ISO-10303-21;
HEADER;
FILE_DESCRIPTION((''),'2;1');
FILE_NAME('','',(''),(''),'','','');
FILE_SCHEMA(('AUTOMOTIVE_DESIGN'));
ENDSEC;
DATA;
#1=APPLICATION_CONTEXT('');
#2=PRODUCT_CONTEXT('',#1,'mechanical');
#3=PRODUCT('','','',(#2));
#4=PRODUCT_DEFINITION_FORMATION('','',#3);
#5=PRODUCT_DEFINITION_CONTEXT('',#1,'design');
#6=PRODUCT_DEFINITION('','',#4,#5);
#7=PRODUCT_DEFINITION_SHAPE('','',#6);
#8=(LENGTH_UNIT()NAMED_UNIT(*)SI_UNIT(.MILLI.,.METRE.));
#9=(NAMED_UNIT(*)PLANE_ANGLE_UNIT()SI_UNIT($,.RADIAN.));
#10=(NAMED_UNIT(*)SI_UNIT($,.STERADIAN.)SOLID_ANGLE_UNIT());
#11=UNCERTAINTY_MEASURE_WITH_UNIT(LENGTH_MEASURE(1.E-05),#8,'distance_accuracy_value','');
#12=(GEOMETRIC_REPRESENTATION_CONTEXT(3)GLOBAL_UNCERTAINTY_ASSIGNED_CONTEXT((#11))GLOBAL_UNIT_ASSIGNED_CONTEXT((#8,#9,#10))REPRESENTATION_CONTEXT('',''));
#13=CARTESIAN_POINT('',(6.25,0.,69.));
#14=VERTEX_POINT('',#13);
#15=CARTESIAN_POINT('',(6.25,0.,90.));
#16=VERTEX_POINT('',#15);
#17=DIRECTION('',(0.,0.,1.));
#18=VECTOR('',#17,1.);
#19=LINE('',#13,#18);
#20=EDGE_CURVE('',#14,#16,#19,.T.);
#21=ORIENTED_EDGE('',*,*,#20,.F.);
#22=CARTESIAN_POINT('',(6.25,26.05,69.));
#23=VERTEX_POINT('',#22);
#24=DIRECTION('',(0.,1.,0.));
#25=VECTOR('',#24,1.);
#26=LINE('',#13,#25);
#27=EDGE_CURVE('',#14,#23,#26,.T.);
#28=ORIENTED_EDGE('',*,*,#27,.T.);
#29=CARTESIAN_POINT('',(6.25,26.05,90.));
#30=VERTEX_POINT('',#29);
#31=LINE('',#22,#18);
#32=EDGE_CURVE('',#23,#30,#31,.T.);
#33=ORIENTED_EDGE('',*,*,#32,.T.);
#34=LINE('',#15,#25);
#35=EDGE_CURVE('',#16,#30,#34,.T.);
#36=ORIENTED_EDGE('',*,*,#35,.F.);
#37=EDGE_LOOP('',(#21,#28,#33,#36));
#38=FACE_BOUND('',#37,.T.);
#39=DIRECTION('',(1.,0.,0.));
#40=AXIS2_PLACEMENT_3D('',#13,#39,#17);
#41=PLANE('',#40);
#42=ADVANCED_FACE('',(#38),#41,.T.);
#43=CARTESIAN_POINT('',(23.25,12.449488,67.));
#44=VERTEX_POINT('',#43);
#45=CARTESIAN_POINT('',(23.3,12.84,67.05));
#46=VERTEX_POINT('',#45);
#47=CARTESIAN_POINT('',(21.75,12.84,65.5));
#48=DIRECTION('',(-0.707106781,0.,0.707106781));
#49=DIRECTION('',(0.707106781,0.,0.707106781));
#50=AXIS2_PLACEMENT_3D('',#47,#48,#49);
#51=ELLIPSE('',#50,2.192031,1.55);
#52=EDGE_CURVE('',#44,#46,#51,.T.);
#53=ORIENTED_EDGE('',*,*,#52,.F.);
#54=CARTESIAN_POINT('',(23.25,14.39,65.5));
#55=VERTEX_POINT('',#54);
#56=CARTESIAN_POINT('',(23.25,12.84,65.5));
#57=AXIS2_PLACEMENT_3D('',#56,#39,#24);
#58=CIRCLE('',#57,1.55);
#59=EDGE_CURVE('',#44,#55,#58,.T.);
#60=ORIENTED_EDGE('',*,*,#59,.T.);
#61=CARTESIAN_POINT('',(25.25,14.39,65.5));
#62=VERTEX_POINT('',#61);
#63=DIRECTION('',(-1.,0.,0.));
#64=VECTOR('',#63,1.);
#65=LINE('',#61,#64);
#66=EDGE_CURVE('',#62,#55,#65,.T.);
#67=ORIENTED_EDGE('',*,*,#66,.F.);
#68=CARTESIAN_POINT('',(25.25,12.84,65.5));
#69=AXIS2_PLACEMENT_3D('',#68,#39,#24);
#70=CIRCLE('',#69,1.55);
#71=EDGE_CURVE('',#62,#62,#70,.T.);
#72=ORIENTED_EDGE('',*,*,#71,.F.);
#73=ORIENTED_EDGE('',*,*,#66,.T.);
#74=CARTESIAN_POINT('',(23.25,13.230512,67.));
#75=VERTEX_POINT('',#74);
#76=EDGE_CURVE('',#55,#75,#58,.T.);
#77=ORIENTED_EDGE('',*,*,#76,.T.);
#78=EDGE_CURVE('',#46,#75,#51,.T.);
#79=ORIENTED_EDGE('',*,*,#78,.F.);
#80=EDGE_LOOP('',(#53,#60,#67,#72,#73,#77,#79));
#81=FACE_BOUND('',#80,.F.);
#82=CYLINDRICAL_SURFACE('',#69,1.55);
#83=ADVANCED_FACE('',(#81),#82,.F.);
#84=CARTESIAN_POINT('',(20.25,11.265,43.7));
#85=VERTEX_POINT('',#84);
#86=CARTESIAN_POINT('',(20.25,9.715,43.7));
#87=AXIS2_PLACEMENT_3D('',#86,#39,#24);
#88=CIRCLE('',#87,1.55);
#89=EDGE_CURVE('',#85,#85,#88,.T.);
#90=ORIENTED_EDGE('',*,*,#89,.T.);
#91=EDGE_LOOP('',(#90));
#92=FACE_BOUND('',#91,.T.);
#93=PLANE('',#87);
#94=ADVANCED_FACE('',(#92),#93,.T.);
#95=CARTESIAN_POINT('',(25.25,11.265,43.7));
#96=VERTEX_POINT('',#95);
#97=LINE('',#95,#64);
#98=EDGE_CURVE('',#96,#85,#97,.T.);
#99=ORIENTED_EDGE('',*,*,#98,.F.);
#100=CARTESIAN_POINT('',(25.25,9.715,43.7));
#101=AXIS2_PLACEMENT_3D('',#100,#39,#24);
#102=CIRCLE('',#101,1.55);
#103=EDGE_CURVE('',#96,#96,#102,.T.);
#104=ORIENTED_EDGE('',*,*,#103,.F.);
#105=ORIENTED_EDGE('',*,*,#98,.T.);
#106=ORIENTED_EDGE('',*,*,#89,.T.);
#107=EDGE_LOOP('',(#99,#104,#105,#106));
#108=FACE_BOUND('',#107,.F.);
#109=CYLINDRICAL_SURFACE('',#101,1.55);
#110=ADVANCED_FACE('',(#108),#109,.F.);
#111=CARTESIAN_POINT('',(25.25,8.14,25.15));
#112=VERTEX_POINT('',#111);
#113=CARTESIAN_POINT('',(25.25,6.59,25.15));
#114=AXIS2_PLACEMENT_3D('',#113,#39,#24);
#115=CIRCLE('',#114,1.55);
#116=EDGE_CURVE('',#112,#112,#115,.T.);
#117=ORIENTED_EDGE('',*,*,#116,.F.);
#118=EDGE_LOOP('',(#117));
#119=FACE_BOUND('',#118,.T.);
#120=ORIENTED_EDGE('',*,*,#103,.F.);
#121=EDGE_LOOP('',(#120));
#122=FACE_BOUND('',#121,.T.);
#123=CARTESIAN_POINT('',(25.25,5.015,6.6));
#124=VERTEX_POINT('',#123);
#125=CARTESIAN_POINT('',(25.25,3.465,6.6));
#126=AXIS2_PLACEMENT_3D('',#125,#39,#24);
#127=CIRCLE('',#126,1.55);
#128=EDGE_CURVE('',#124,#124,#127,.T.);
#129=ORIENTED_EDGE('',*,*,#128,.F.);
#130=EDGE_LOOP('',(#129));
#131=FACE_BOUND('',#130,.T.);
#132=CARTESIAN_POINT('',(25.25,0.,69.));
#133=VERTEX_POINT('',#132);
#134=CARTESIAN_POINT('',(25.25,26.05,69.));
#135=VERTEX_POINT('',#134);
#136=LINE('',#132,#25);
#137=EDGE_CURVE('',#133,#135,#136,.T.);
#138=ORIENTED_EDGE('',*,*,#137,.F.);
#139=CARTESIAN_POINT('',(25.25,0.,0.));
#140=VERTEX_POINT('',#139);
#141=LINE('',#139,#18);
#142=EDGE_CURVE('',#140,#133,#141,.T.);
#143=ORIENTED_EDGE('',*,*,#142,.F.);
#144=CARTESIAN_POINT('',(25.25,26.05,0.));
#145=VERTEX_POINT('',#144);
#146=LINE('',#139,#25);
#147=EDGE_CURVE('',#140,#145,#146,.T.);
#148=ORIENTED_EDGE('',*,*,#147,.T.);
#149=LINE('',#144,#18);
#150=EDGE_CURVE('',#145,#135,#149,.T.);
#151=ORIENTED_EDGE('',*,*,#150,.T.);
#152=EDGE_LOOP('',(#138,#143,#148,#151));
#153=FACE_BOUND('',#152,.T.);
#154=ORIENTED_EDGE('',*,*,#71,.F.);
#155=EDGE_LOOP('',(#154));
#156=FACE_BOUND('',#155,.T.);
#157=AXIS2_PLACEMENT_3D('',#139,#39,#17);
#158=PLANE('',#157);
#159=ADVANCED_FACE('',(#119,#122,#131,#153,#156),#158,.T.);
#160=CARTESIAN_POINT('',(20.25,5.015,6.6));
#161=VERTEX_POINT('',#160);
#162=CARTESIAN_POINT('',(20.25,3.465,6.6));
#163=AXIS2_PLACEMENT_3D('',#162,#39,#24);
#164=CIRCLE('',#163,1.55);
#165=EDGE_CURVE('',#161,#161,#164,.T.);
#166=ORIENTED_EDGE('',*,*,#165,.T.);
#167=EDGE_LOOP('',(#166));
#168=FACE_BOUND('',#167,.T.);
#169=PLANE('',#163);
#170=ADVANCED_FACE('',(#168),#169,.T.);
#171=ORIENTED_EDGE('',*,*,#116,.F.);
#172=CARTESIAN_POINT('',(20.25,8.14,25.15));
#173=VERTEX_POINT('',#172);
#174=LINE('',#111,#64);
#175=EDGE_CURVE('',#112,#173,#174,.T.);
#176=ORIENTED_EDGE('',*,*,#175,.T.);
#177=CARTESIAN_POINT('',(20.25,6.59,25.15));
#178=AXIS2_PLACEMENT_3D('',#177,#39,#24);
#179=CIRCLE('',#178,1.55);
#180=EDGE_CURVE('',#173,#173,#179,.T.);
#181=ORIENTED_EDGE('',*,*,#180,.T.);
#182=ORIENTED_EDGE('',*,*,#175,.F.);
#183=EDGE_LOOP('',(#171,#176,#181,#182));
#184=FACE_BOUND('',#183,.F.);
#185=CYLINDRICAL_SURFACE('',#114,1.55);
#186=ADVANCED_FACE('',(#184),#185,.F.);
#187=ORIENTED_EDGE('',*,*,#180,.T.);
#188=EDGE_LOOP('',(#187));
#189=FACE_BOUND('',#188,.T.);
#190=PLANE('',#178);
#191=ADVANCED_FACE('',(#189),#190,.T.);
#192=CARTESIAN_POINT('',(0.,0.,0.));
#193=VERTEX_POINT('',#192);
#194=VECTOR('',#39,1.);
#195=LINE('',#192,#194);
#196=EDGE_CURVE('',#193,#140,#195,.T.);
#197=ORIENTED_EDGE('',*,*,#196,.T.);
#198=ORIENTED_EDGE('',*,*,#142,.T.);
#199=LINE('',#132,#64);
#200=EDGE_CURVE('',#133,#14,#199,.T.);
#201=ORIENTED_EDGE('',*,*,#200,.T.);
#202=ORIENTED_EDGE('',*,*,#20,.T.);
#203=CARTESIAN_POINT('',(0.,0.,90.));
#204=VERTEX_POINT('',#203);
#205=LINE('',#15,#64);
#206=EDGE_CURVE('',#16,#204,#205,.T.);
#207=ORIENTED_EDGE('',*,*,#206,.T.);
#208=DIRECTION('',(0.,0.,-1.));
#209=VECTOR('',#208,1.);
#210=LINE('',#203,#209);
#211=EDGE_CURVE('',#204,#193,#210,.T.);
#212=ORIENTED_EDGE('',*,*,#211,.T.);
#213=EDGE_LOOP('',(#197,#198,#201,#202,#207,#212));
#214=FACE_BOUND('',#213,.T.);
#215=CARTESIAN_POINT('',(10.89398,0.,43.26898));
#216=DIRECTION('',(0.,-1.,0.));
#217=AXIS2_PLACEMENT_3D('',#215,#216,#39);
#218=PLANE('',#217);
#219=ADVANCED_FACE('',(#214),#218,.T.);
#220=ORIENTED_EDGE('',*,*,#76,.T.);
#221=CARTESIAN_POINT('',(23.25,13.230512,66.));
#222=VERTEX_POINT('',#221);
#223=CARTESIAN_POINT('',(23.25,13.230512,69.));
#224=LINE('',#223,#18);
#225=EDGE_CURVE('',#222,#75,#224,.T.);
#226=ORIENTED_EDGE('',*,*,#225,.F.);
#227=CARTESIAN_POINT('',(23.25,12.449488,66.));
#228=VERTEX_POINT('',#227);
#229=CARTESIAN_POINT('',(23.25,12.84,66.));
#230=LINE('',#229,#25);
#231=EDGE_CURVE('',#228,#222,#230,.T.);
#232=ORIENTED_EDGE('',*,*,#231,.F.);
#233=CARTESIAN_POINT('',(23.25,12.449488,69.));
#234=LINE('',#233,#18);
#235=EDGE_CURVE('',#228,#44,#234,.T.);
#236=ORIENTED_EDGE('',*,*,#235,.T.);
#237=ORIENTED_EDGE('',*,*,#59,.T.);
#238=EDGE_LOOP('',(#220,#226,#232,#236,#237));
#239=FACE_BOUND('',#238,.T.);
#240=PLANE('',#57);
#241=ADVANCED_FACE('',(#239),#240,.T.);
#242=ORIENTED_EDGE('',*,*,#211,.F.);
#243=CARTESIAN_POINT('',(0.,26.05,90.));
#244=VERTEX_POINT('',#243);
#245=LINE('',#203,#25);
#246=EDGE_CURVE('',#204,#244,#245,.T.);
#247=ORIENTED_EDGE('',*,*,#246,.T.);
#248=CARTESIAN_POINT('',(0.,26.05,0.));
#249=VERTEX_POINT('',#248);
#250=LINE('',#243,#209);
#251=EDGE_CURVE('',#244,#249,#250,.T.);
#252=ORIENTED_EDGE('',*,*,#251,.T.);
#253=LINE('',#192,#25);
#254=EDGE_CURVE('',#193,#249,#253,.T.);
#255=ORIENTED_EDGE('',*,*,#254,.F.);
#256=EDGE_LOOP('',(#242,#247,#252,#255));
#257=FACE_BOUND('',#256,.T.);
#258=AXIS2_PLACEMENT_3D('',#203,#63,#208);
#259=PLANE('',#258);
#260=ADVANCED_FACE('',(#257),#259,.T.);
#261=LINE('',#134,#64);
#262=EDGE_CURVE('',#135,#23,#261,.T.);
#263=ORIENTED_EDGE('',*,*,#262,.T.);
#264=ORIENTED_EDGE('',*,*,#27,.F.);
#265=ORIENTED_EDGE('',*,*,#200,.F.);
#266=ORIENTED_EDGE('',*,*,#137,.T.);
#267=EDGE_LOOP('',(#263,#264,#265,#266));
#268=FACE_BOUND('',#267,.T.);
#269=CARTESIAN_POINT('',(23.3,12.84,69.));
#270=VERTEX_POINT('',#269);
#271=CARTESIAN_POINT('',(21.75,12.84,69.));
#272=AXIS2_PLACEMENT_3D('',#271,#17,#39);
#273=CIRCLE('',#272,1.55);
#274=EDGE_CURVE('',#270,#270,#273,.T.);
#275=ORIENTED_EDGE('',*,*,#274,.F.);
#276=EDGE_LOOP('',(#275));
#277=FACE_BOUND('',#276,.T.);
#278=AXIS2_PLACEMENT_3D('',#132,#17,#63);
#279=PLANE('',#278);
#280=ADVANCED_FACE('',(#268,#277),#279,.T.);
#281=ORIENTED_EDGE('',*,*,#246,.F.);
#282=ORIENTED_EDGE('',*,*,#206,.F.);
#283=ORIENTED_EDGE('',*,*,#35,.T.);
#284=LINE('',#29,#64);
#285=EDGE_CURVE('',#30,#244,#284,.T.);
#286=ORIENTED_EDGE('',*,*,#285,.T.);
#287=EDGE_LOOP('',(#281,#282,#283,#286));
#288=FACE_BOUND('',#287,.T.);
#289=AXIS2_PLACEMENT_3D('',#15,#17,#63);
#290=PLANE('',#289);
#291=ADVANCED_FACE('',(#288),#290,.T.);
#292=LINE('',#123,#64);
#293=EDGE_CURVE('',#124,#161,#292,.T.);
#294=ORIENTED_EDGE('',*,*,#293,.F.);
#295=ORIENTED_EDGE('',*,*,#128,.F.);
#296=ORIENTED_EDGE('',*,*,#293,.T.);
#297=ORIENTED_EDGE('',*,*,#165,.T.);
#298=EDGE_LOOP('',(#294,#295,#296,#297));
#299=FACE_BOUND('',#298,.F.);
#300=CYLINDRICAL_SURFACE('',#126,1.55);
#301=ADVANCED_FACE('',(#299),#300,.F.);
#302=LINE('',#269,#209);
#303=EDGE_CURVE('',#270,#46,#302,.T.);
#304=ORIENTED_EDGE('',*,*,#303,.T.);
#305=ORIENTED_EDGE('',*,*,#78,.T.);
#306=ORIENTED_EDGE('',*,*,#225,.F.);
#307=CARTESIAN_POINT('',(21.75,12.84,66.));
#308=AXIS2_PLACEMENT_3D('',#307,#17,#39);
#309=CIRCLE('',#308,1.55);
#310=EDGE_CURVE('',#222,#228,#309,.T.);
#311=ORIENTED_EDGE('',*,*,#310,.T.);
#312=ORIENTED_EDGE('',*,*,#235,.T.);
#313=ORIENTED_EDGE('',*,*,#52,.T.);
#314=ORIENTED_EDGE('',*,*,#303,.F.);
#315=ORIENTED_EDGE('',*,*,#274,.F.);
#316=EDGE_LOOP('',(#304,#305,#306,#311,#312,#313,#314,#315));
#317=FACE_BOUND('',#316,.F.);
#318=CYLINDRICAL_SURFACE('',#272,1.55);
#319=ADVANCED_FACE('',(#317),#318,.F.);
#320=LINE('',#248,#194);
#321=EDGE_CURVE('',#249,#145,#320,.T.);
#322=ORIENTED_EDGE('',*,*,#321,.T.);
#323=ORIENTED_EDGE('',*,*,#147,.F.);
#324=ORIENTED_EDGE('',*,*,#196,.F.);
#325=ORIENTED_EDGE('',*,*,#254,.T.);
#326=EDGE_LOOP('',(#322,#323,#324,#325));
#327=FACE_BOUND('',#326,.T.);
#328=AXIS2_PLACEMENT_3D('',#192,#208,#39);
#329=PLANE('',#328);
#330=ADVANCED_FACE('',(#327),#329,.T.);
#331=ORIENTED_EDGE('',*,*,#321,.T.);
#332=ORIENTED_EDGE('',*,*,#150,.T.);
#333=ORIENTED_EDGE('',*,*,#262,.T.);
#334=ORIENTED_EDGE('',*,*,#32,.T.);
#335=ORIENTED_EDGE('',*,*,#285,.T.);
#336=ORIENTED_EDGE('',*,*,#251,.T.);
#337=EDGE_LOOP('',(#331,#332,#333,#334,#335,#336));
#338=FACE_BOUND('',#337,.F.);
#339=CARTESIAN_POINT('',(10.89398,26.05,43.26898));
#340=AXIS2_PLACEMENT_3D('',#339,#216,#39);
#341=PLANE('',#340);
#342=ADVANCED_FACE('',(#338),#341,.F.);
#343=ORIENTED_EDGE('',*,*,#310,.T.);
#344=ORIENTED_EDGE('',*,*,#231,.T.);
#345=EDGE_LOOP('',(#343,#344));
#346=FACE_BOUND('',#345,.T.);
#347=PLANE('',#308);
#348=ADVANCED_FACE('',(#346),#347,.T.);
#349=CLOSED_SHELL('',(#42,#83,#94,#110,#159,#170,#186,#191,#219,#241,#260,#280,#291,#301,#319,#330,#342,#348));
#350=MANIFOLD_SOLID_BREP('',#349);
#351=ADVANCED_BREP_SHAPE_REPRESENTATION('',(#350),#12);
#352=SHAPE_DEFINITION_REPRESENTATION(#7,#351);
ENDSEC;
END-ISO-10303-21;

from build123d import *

# Parameters (mm, degrees)
F1_DEPTH = 26.05
F2_R     = 1.55
F3_DEPTH = 5
F4_R     = 1.55
F5_DEPTH = 3
F6_DEPTH = 2


with BuildPart() as f1:
    # F0 (on Front) → F1 (new body)
    with BuildSketch(Plane.XZ):
        Polygon((0, 90), (0, 0), (25.25, 0), (25.25, 69), (6.25, 69), (6.25, 90), align=None)
    extrude(amount=-F1_DEPTH)

    # F2 (on face) → F3 (cut)
    with BuildSketch(Plane.YZ.offset(25.25)):
        with Locations((9.715, 43.7)):
            Circle(F2_R)
        with Locations((6.59, 25.15)):
            Circle(F2_R)
        with Locations((3.465, 6.6)):
            Circle(F2_R)
    extrude(amount=-F3_DEPTH, mode=Mode.SUBTRACT)

    # F4 (on face) → F5 (cut)
    with BuildSketch(Plane.XY.offset(69)):
        with Locations((21.75, 12.84)):
            Circle(F4_R)
    extrude(amount=-F5_DEPTH, mode=Mode.SUBTRACT)

    # F2 (on face) → F6 (cut)
    with BuildSketch(Plane.YZ.offset(25.25)):
        with Locations((12.84, 65.5)):
            Circle(F2_R)
    extrude(amount=-F6_DEPTH, mode=Mode.SUBTRACT)


solid = f1.part
